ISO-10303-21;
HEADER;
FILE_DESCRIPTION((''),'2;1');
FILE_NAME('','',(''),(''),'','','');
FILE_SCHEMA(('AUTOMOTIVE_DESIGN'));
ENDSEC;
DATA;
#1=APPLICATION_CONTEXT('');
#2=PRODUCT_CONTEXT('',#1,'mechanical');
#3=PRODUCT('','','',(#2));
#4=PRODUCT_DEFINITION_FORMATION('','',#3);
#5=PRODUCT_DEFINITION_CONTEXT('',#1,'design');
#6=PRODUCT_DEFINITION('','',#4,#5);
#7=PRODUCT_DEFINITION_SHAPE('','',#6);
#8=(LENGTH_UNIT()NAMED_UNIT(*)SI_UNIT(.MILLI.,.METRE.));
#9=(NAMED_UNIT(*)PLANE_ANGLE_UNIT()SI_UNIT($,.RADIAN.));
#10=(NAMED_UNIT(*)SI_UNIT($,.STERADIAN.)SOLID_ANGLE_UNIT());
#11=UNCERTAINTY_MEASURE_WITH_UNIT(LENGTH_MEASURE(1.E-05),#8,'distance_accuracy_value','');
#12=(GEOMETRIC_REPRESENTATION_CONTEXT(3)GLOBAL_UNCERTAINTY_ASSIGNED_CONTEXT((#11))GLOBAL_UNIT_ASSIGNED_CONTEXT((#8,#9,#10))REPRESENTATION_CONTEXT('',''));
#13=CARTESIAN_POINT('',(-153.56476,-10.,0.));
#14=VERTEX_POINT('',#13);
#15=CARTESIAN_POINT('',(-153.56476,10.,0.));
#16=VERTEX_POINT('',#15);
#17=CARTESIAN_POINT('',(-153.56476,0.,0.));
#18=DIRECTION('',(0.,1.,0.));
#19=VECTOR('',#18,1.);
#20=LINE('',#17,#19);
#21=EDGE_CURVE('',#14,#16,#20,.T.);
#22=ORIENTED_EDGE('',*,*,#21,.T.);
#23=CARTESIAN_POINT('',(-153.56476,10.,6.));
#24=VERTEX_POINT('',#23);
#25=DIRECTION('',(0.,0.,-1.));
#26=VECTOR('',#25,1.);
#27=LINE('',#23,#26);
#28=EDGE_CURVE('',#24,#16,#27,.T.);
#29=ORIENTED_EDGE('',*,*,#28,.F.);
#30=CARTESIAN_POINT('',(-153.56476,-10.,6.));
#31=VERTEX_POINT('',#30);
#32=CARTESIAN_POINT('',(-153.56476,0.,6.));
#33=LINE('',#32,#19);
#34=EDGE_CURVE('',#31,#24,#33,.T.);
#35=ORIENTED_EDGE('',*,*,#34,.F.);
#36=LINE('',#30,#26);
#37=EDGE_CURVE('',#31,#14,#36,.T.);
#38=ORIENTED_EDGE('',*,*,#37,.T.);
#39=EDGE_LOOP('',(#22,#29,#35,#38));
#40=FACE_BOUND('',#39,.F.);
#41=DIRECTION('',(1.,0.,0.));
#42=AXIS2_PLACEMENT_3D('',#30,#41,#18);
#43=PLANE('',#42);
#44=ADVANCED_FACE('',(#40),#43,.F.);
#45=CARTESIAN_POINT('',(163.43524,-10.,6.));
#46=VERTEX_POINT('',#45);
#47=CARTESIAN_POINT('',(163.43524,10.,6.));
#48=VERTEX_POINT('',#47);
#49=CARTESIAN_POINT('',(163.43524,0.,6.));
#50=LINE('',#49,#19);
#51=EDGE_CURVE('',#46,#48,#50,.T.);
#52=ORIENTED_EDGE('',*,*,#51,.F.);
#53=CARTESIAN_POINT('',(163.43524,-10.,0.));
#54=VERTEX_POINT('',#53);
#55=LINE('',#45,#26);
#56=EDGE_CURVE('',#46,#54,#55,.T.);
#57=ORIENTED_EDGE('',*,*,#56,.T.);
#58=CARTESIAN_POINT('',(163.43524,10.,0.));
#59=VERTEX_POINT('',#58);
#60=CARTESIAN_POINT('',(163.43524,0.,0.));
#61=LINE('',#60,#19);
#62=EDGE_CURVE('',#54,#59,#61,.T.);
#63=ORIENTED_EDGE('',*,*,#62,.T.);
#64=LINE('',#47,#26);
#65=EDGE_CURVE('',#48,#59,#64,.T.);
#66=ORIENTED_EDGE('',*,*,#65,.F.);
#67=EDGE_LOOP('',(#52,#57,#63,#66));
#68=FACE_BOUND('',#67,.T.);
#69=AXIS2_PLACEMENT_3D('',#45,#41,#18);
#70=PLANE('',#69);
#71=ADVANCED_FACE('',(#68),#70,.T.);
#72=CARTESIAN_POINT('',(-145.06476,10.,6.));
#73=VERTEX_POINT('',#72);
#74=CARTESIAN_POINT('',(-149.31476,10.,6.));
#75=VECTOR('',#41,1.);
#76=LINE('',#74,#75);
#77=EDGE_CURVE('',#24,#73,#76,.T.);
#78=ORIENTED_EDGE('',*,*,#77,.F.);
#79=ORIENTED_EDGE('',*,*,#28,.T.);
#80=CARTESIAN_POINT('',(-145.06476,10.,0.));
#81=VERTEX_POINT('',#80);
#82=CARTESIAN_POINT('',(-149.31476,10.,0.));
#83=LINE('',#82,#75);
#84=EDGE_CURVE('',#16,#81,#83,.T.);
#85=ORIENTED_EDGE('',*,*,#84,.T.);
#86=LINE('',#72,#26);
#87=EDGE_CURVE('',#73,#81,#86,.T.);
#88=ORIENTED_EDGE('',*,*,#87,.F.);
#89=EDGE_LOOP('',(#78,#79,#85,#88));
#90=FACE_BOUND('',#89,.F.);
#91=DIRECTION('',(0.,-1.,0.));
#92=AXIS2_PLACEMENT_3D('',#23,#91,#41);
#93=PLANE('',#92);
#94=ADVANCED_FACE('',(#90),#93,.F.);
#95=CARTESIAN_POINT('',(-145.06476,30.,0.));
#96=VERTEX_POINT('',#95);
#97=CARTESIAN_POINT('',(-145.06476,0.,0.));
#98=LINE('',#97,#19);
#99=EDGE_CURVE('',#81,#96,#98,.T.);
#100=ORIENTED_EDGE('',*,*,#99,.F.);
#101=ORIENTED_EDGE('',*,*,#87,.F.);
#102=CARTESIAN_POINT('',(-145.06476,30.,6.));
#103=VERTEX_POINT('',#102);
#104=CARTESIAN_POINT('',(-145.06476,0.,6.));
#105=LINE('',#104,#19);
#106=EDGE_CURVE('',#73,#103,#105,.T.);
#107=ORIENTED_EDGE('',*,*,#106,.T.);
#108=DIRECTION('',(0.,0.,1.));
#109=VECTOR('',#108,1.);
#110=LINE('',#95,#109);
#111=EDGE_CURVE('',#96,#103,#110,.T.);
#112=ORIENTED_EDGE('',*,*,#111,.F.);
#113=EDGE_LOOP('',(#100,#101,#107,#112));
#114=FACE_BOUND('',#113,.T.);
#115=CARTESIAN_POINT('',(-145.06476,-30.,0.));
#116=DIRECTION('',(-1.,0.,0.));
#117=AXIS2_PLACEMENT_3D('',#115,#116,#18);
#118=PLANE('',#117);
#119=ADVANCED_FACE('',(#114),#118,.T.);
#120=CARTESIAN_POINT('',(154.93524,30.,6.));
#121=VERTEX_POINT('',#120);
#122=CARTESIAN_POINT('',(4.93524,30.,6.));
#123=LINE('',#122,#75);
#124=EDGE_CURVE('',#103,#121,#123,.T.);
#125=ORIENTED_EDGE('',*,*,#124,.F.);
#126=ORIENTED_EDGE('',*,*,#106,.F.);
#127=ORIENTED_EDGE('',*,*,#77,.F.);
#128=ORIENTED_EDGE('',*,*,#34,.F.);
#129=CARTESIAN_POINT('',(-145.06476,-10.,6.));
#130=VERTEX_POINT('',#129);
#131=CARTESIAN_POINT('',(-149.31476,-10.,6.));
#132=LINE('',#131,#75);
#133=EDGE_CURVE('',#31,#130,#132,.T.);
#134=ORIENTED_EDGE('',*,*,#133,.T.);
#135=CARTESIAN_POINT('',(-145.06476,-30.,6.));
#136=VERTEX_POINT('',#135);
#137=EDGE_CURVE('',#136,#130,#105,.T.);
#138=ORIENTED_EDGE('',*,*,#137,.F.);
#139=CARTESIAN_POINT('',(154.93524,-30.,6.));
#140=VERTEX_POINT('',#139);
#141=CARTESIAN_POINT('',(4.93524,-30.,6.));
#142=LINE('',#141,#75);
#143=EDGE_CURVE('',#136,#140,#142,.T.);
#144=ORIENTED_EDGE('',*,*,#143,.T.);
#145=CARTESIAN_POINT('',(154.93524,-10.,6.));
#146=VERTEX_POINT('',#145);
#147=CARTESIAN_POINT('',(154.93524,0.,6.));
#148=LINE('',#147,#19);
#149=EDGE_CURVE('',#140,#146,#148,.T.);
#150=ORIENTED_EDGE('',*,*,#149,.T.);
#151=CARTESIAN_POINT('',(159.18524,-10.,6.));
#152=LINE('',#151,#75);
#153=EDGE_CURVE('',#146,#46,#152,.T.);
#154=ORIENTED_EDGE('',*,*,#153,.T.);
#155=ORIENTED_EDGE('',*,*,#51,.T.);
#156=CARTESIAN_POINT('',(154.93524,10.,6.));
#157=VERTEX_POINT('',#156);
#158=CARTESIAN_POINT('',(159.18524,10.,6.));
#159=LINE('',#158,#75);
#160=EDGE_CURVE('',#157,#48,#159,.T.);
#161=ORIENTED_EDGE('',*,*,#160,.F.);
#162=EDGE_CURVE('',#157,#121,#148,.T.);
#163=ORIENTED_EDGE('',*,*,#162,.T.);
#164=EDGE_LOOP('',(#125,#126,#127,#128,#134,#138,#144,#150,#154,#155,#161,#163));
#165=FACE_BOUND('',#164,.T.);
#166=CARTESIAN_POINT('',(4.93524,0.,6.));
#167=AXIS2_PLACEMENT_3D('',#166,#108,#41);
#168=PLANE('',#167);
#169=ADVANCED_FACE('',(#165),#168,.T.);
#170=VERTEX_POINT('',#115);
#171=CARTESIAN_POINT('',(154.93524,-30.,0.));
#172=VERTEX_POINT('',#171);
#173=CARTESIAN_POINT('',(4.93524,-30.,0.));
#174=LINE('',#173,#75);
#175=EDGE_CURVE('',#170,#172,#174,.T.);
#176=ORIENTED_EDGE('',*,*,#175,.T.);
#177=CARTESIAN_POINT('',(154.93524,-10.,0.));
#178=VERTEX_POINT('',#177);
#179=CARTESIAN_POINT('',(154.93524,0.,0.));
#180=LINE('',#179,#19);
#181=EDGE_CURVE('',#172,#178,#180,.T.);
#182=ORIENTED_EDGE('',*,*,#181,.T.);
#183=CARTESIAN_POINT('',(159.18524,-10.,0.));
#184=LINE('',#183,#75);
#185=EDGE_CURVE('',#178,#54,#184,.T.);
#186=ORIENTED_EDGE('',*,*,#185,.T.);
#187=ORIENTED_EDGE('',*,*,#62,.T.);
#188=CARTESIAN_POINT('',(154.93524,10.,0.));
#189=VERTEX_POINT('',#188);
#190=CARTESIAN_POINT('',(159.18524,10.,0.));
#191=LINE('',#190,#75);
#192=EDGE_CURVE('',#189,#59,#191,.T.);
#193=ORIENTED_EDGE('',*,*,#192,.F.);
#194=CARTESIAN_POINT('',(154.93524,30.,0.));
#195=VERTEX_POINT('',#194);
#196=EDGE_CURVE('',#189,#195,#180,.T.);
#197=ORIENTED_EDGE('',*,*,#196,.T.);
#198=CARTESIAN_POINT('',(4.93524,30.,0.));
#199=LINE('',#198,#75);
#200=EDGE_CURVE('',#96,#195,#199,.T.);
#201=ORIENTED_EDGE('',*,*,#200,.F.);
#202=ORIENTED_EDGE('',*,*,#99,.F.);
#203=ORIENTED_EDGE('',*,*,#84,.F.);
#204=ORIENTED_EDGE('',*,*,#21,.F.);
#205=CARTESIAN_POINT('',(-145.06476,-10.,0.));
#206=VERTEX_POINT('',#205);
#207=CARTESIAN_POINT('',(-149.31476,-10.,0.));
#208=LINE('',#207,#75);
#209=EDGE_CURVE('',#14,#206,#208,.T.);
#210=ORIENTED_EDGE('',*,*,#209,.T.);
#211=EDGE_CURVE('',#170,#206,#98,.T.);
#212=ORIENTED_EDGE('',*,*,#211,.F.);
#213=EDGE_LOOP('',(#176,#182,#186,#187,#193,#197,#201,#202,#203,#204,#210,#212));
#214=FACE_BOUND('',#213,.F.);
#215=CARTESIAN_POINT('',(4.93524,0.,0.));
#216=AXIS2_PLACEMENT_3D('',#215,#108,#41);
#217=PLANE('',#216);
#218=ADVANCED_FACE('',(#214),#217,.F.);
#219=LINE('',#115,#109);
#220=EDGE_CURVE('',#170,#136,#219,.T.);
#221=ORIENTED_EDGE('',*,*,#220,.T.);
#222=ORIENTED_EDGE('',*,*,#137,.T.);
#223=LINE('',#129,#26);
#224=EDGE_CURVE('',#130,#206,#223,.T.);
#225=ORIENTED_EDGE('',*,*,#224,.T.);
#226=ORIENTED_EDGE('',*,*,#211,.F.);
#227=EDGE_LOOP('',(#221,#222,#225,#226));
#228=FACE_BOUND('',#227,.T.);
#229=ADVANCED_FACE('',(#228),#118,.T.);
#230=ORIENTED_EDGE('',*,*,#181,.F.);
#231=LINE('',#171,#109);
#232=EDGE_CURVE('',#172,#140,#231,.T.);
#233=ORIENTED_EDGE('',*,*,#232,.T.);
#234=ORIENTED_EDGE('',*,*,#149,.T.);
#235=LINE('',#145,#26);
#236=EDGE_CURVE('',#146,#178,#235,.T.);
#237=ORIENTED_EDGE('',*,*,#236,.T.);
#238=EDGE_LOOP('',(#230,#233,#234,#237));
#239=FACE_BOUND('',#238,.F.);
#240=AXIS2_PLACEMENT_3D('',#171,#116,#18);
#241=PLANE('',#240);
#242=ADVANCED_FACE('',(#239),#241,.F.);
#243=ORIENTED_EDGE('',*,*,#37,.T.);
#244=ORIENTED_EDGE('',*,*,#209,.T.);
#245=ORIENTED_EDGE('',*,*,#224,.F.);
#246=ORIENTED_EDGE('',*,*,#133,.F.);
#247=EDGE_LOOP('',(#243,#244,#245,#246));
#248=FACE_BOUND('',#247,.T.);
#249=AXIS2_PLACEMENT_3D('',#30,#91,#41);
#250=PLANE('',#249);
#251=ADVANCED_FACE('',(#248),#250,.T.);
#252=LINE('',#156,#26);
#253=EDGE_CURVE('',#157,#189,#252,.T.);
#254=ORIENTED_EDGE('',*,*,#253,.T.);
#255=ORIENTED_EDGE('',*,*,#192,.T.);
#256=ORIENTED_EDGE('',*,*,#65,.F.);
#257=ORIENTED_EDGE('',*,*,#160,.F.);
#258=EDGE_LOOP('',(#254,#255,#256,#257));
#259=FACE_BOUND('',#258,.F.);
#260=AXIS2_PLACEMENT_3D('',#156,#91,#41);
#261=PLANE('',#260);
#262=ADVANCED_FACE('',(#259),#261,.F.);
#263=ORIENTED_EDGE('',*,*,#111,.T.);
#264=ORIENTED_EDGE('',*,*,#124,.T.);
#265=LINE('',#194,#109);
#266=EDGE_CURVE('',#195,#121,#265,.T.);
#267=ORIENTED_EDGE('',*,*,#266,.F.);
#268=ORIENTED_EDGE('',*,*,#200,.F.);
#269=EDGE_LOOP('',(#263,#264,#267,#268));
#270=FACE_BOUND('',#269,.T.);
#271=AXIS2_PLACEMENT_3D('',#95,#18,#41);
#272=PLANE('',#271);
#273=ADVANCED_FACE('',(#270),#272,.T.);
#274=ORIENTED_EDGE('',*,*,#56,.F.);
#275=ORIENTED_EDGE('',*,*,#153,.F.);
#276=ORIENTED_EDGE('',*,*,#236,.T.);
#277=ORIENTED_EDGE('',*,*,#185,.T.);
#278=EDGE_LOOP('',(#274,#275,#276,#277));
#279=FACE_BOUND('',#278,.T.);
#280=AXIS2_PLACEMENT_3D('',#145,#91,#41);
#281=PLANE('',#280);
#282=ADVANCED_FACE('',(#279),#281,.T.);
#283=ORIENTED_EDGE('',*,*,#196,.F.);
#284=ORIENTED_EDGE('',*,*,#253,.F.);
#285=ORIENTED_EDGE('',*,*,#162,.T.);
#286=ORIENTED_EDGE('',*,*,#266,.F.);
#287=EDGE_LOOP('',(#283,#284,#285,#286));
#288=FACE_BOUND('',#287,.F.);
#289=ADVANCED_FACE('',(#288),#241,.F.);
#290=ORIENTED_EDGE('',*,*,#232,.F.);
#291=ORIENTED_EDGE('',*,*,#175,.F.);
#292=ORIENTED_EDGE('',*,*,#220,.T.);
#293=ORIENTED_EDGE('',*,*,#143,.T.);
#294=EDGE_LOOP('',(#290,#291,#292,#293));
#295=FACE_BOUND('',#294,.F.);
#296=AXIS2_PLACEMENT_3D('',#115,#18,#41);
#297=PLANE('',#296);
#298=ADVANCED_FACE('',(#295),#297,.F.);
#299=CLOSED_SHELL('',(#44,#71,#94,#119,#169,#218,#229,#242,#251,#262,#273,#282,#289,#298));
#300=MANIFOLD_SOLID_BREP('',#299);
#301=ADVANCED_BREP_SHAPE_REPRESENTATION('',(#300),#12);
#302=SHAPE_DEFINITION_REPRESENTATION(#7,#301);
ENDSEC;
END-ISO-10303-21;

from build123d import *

# Parameters (mm, degrees)
F0_W     = 300
F0_H     = 60
F1_DEPTH = 6
F2_W     = 8.5
F2_H     = 20
F3_DEPTH = 6


with BuildPart() as f1:
    # F0 (on Top) → F1 (new body)
    with BuildSketch(Plane.XY):
        with Locations((4.93524, 0)):
            Rectangle(F0_W, F0_H)
    extrude(amount=F1_DEPTH)

    # F2 (on face) → F3 (join, through all)
    with BuildSketch(Plane.XY.offset(6)):
        with Locations((-149.31476, 0)):
            Rectangle(F2_W, F2_H)
        with Locations((159.18524, 0)):
            Rectangle(F2_W, F2_H)
    extrude(amount=-F3_DEPTH)


solid = f1.part
